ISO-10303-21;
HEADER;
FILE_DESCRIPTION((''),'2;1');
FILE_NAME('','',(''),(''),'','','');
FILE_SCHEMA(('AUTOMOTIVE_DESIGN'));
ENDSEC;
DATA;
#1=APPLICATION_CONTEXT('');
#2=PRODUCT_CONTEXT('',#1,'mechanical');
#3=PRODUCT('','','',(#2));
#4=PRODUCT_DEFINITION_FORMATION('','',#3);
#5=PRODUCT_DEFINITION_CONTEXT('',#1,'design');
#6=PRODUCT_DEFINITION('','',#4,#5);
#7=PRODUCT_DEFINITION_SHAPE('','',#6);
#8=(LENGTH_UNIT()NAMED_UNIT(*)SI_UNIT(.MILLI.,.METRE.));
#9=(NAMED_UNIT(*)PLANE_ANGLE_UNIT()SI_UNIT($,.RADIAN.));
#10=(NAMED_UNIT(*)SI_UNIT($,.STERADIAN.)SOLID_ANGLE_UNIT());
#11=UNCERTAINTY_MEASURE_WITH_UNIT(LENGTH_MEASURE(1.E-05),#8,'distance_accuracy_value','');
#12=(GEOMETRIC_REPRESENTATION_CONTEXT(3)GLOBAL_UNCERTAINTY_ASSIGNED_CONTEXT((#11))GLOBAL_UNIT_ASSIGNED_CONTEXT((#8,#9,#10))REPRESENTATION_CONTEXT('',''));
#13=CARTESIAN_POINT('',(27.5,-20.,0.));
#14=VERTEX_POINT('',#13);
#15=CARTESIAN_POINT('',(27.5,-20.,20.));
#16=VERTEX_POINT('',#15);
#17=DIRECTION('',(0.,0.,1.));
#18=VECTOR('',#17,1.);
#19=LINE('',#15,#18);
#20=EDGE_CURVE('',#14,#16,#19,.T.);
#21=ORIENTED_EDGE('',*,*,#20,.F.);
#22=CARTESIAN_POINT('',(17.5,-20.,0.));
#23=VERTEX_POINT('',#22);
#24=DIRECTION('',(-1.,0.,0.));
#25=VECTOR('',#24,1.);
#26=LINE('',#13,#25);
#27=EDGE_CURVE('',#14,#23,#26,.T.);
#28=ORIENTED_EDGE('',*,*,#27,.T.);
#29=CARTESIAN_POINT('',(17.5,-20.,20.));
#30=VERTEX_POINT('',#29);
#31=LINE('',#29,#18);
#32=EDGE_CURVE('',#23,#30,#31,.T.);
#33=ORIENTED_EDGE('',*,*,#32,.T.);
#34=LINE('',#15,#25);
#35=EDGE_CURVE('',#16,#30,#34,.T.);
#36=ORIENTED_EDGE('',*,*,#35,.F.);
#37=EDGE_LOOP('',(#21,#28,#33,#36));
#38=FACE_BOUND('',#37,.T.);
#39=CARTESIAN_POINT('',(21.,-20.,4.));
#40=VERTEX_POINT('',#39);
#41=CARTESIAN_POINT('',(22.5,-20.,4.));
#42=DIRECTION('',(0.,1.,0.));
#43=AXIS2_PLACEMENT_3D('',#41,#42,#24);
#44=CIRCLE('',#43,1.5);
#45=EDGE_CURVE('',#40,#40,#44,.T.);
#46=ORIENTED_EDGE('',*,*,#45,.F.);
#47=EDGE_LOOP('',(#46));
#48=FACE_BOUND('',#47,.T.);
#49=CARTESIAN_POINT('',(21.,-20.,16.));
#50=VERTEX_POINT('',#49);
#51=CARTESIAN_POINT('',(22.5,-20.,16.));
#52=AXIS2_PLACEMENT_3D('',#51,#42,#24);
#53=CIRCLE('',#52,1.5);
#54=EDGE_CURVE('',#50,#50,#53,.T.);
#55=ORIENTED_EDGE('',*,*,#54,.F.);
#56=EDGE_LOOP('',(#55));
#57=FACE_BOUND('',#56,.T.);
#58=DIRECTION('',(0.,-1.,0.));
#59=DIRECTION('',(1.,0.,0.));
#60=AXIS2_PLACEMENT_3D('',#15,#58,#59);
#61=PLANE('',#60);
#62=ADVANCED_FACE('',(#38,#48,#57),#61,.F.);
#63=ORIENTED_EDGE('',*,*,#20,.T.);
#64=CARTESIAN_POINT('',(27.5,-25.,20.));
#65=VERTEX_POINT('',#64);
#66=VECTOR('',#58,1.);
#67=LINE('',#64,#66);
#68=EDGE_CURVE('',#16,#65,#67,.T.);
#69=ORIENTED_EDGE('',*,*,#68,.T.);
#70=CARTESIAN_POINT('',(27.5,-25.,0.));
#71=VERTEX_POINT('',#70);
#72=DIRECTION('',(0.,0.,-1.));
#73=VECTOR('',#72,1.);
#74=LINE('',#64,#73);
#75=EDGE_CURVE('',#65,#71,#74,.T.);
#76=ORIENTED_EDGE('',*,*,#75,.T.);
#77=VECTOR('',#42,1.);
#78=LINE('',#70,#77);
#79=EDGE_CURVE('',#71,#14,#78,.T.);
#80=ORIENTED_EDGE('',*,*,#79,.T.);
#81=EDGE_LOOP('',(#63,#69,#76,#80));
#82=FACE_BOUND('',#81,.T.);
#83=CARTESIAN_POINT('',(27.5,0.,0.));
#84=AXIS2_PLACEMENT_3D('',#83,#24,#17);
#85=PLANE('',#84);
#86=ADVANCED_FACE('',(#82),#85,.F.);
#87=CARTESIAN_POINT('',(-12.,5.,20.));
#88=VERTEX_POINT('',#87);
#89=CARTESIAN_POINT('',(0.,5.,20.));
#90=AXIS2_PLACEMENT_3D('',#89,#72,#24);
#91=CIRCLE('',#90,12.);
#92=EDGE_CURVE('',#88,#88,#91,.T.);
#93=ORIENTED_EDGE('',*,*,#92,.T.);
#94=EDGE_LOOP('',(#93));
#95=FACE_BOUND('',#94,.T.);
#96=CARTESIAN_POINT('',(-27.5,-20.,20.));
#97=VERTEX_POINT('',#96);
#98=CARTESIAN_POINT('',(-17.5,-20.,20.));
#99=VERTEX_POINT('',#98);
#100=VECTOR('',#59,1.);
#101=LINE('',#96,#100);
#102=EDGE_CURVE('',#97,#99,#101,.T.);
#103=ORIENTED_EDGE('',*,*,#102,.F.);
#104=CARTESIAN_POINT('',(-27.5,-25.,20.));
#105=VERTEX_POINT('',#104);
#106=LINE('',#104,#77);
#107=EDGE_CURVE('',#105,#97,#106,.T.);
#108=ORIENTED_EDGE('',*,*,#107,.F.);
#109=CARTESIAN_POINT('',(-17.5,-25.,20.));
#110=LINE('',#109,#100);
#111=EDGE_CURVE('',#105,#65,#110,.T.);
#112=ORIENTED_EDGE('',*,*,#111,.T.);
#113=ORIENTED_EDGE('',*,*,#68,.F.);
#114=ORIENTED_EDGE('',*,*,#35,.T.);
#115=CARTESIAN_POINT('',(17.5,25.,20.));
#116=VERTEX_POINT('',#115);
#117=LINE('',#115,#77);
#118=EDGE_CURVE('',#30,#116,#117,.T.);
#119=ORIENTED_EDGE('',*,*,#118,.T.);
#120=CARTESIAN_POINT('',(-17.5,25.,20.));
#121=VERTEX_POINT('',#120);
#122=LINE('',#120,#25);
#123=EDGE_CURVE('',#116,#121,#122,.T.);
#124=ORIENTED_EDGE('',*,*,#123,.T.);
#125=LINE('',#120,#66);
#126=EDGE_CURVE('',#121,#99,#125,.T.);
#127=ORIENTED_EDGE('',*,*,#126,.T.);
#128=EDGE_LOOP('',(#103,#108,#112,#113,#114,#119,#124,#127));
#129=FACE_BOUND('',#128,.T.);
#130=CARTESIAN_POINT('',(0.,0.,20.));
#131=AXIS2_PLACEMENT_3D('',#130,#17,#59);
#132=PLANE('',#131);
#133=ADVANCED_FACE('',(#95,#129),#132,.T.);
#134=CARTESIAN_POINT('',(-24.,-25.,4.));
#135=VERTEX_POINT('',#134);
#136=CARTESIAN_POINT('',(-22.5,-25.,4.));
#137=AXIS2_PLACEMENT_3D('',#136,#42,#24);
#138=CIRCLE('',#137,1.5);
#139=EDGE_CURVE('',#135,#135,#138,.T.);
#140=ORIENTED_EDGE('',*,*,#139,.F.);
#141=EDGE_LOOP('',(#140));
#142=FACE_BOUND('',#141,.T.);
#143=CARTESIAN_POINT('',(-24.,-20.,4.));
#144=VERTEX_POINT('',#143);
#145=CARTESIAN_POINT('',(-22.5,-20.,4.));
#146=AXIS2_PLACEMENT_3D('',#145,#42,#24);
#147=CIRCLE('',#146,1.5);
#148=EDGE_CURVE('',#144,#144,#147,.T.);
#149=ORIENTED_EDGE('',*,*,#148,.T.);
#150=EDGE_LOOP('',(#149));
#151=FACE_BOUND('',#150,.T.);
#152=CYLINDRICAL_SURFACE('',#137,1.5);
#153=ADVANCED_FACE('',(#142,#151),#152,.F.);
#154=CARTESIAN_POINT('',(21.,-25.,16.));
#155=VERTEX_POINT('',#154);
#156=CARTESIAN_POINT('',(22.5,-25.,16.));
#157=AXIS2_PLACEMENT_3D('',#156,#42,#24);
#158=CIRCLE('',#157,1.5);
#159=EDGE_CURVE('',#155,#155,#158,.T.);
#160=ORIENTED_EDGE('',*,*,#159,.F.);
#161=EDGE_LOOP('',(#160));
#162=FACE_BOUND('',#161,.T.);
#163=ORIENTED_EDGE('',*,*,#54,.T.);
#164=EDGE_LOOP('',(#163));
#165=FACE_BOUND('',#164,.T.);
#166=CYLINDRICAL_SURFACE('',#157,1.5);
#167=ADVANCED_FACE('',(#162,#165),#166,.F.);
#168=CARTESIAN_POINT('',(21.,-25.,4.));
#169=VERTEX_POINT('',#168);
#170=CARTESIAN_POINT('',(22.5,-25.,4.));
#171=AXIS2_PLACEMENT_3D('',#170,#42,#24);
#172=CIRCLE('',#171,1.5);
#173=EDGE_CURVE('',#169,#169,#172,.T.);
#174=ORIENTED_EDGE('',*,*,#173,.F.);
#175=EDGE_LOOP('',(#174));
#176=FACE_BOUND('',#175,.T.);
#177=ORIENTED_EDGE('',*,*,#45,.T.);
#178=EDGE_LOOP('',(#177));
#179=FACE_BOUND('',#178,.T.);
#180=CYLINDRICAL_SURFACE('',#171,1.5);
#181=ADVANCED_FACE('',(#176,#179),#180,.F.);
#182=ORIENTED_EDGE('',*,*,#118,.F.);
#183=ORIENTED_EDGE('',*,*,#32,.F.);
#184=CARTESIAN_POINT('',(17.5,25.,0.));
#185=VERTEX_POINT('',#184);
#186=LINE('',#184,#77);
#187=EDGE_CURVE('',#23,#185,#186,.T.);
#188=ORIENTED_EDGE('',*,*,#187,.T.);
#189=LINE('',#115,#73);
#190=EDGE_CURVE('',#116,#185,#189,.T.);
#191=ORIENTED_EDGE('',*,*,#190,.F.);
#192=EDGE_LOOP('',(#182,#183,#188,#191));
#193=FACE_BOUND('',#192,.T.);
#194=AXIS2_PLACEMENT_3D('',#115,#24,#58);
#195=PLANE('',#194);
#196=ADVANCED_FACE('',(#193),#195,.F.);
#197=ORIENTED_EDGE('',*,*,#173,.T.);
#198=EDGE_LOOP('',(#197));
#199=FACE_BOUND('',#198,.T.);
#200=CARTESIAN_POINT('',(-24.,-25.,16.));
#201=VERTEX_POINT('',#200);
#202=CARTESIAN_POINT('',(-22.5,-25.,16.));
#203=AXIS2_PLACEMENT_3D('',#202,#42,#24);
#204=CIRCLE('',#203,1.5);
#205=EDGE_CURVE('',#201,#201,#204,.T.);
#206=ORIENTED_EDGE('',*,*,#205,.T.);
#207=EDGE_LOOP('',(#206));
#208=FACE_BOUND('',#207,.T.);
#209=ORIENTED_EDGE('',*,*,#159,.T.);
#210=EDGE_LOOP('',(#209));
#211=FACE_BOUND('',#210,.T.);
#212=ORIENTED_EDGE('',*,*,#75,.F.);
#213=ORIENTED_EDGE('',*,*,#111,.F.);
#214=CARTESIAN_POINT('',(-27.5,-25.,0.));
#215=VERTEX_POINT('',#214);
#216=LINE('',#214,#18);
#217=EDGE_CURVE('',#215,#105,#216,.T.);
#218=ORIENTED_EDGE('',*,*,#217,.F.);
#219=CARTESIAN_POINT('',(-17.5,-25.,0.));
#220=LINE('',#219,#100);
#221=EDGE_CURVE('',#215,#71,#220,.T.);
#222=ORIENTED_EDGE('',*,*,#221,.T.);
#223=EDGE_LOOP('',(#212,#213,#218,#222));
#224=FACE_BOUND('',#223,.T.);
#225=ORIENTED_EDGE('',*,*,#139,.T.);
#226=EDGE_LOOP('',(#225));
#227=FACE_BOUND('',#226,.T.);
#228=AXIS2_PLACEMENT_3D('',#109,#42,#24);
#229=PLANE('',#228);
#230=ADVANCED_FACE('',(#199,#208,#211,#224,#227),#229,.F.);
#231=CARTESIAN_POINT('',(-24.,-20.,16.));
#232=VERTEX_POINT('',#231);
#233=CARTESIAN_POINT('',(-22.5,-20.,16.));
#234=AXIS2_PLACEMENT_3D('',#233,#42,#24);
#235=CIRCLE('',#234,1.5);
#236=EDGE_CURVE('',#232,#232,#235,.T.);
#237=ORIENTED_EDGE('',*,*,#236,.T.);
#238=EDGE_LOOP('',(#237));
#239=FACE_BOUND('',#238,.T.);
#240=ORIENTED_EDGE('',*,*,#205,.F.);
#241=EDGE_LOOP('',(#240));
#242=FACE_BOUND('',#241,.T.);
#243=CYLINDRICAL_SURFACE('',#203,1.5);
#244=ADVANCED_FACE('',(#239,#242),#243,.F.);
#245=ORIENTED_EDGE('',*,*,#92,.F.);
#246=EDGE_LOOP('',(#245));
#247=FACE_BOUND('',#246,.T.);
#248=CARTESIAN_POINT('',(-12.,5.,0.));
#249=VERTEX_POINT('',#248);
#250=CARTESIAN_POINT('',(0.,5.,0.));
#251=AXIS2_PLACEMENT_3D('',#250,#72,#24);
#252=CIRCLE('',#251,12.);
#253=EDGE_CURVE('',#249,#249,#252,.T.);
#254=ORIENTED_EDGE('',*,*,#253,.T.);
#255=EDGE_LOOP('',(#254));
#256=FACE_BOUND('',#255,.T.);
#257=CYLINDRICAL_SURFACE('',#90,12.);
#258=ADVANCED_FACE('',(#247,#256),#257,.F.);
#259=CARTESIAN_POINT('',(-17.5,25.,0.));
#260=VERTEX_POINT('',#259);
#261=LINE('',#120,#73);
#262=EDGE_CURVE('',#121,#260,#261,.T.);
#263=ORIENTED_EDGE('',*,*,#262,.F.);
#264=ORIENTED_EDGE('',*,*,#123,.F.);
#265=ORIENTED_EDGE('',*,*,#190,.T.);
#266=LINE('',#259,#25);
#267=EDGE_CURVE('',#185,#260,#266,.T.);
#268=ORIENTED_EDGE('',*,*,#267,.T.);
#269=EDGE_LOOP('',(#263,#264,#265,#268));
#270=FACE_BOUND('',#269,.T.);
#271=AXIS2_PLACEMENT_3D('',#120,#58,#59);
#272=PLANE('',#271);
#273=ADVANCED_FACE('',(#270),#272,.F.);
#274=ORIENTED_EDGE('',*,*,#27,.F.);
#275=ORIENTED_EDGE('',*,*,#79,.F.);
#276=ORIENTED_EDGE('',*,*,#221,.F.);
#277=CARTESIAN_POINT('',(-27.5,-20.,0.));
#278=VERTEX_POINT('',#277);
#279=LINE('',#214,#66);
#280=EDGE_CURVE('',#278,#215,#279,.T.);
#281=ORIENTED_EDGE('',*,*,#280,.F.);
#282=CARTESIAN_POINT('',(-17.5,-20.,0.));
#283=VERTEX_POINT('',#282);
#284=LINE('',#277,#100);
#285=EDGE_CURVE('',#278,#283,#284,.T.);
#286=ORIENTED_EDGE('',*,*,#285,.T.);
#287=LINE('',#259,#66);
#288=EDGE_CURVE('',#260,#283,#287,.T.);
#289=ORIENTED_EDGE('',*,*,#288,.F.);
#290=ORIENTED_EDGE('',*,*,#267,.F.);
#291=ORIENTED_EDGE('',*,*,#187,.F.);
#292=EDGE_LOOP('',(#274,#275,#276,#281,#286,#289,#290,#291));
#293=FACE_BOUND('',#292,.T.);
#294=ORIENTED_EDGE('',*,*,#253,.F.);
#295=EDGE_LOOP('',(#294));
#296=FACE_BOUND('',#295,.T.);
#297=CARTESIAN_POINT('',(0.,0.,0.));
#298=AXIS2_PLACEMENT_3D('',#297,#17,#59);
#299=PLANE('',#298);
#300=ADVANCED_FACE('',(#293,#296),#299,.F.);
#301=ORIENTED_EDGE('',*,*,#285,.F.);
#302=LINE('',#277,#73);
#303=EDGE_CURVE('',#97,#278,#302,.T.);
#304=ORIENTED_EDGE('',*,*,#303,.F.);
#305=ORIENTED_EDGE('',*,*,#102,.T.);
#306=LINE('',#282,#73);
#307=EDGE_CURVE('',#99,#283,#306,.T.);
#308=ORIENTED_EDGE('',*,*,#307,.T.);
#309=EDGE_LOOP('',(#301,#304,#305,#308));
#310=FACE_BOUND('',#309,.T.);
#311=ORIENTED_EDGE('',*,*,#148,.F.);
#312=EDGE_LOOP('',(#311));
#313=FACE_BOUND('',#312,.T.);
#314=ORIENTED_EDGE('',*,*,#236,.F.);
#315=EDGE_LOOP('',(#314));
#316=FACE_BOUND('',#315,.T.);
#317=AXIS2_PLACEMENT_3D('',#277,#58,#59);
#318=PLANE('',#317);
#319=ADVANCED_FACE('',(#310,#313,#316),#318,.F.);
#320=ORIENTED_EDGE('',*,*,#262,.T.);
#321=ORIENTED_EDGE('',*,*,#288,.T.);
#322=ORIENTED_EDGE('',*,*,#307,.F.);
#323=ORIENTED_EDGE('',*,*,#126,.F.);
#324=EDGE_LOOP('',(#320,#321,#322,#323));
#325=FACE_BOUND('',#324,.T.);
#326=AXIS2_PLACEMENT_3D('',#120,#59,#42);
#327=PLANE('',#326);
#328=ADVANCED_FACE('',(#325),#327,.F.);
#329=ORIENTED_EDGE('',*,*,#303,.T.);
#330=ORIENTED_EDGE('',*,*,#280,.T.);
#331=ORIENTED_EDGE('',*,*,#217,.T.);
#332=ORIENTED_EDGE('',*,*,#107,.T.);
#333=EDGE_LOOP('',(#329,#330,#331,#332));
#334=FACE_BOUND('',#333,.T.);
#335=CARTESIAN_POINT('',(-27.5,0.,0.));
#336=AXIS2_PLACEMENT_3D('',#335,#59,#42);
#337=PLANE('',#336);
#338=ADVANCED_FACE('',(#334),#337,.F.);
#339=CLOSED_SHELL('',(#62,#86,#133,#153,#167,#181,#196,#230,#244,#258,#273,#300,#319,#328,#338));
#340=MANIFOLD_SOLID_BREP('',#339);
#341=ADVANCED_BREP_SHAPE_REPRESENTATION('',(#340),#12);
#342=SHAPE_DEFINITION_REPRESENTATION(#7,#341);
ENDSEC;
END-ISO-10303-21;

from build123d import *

# Parameters (mm, degrees)
SKETCH_1_W          = 35
SKETCH_1_H          = 50
EXTRUDE_1_DEPTH     = 20
SKETCH_2_W          = 20
SKETCH_2_H          = 5
EXTRUDE_2_DEPTH     = 10
SKETCH_3_W          = 20
SKETCH_3_H          = 5
EXTRUDE_3_DEPTH     = 10
SKETCH_4_R          = 12
CUT_EXTRUDE_1_DEPTH = 20
SKETCH_5_R          = 1.5
CUT_EXTRUDE_2_DEPTH = 5
SKETCH_6_R          = 1.5
CUT_EXTRUDE_3_DEPTH = 5
SKETCH_7_R          = 1.5
CUT_EXTRUDE_4_DEPTH = 5
SKETCH_8_R          = 1.5
CUT_EXTRUDE_5_DEPTH = 5


with BuildPart() as part:
    # Эскиз1 → Бобышка-Вытянуть1 (new body)
    with BuildSketch(Plane.XY):
        Rectangle(SKETCH_1_W, SKETCH_1_H)
    extrude(amount=EXTRUDE_1_DEPTH)

    # Эскиз2 → Бобышка-Вытянуть2 (add)
    with BuildSketch(Plane(origin=(17.5, 0, 0), x_dir=(0, 0, -1), z_dir=(1, 0, 0))):
        with Locations((-10, -22.5)):
            Rectangle(SKETCH_2_W, SKETCH_2_H)
    extrude(amount=EXTRUDE_2_DEPTH)

    # Эскиз3 → Бобышка-Вытянуть3 (add)
    with BuildSketch(Plane.ZY.offset(17.5)):
        with Locations((10, -22.5)):
            Rectangle(SKETCH_3_W, SKETCH_3_H)
    extrude(amount=EXTRUDE_3_DEPTH)

    # Эскиз4 → Вырез-Вытянуть1 (cut)
    with BuildSketch(Plane(origin=(0, 0, 0), x_dir=(-1, 0, 0), z_dir=(0, 0, -1))):
        with Locations((0, 5)):
            Circle(SKETCH_4_R)
    extrude(amount=-CUT_EXTRUDE_1_DEPTH, mode=Mode.SUBTRACT)

    # Эскиз5 → Вырез-Вытянуть2 (cut)
    with BuildSketch(Plane(origin=(0, -20, 0), x_dir=(1, 0, 0), z_dir=(0, 1, 0))):
        with Locations((-22.5, -4)):
            Circle(SKETCH_5_R)
    extrude(amount=-CUT_EXTRUDE_2_DEPTH, mode=Mode.SUBTRACT)

    # Эскиз6 → Вырез-Вытянуть3 (cut)
    with BuildSketch(Plane(origin=(0, -20, 0), x_dir=(1, 0, 0), z_dir=(0, 1, 0))):
        with Locations((-22.5, -16)):
            Circle(SKETCH_6_R)
    extrude(amount=-CUT_EXTRUDE_3_DEPTH, mode=Mode.SUBTRACT)

    # Эскиз7 → Вырез-Вытянуть4 (cut)
    with BuildSketch(Plane(origin=(0, -20, 0), x_dir=(1, 0, 0), z_dir=(0, 1, 0))):
        with Locations((22.5, -4)):
            Circle(SKETCH_7_R)
    extrude(amount=-CUT_EXTRUDE_4_DEPTH, mode=Mode.SUBTRACT)

    # Эскиз8 → Вырез-Вытянуть5 (cut)
    with BuildSketch(Plane(origin=(0, -20, 0), x_dir=(1, 0, 0), z_dir=(0, 1, 0))):
        with Locations((22.5, -16)):
            Circle(SKETCH_8_R)
    extrude(amount=-CUT_EXTRUDE_5_DEPTH, mode=Mode.SUBTRACT)


solid = part.part
